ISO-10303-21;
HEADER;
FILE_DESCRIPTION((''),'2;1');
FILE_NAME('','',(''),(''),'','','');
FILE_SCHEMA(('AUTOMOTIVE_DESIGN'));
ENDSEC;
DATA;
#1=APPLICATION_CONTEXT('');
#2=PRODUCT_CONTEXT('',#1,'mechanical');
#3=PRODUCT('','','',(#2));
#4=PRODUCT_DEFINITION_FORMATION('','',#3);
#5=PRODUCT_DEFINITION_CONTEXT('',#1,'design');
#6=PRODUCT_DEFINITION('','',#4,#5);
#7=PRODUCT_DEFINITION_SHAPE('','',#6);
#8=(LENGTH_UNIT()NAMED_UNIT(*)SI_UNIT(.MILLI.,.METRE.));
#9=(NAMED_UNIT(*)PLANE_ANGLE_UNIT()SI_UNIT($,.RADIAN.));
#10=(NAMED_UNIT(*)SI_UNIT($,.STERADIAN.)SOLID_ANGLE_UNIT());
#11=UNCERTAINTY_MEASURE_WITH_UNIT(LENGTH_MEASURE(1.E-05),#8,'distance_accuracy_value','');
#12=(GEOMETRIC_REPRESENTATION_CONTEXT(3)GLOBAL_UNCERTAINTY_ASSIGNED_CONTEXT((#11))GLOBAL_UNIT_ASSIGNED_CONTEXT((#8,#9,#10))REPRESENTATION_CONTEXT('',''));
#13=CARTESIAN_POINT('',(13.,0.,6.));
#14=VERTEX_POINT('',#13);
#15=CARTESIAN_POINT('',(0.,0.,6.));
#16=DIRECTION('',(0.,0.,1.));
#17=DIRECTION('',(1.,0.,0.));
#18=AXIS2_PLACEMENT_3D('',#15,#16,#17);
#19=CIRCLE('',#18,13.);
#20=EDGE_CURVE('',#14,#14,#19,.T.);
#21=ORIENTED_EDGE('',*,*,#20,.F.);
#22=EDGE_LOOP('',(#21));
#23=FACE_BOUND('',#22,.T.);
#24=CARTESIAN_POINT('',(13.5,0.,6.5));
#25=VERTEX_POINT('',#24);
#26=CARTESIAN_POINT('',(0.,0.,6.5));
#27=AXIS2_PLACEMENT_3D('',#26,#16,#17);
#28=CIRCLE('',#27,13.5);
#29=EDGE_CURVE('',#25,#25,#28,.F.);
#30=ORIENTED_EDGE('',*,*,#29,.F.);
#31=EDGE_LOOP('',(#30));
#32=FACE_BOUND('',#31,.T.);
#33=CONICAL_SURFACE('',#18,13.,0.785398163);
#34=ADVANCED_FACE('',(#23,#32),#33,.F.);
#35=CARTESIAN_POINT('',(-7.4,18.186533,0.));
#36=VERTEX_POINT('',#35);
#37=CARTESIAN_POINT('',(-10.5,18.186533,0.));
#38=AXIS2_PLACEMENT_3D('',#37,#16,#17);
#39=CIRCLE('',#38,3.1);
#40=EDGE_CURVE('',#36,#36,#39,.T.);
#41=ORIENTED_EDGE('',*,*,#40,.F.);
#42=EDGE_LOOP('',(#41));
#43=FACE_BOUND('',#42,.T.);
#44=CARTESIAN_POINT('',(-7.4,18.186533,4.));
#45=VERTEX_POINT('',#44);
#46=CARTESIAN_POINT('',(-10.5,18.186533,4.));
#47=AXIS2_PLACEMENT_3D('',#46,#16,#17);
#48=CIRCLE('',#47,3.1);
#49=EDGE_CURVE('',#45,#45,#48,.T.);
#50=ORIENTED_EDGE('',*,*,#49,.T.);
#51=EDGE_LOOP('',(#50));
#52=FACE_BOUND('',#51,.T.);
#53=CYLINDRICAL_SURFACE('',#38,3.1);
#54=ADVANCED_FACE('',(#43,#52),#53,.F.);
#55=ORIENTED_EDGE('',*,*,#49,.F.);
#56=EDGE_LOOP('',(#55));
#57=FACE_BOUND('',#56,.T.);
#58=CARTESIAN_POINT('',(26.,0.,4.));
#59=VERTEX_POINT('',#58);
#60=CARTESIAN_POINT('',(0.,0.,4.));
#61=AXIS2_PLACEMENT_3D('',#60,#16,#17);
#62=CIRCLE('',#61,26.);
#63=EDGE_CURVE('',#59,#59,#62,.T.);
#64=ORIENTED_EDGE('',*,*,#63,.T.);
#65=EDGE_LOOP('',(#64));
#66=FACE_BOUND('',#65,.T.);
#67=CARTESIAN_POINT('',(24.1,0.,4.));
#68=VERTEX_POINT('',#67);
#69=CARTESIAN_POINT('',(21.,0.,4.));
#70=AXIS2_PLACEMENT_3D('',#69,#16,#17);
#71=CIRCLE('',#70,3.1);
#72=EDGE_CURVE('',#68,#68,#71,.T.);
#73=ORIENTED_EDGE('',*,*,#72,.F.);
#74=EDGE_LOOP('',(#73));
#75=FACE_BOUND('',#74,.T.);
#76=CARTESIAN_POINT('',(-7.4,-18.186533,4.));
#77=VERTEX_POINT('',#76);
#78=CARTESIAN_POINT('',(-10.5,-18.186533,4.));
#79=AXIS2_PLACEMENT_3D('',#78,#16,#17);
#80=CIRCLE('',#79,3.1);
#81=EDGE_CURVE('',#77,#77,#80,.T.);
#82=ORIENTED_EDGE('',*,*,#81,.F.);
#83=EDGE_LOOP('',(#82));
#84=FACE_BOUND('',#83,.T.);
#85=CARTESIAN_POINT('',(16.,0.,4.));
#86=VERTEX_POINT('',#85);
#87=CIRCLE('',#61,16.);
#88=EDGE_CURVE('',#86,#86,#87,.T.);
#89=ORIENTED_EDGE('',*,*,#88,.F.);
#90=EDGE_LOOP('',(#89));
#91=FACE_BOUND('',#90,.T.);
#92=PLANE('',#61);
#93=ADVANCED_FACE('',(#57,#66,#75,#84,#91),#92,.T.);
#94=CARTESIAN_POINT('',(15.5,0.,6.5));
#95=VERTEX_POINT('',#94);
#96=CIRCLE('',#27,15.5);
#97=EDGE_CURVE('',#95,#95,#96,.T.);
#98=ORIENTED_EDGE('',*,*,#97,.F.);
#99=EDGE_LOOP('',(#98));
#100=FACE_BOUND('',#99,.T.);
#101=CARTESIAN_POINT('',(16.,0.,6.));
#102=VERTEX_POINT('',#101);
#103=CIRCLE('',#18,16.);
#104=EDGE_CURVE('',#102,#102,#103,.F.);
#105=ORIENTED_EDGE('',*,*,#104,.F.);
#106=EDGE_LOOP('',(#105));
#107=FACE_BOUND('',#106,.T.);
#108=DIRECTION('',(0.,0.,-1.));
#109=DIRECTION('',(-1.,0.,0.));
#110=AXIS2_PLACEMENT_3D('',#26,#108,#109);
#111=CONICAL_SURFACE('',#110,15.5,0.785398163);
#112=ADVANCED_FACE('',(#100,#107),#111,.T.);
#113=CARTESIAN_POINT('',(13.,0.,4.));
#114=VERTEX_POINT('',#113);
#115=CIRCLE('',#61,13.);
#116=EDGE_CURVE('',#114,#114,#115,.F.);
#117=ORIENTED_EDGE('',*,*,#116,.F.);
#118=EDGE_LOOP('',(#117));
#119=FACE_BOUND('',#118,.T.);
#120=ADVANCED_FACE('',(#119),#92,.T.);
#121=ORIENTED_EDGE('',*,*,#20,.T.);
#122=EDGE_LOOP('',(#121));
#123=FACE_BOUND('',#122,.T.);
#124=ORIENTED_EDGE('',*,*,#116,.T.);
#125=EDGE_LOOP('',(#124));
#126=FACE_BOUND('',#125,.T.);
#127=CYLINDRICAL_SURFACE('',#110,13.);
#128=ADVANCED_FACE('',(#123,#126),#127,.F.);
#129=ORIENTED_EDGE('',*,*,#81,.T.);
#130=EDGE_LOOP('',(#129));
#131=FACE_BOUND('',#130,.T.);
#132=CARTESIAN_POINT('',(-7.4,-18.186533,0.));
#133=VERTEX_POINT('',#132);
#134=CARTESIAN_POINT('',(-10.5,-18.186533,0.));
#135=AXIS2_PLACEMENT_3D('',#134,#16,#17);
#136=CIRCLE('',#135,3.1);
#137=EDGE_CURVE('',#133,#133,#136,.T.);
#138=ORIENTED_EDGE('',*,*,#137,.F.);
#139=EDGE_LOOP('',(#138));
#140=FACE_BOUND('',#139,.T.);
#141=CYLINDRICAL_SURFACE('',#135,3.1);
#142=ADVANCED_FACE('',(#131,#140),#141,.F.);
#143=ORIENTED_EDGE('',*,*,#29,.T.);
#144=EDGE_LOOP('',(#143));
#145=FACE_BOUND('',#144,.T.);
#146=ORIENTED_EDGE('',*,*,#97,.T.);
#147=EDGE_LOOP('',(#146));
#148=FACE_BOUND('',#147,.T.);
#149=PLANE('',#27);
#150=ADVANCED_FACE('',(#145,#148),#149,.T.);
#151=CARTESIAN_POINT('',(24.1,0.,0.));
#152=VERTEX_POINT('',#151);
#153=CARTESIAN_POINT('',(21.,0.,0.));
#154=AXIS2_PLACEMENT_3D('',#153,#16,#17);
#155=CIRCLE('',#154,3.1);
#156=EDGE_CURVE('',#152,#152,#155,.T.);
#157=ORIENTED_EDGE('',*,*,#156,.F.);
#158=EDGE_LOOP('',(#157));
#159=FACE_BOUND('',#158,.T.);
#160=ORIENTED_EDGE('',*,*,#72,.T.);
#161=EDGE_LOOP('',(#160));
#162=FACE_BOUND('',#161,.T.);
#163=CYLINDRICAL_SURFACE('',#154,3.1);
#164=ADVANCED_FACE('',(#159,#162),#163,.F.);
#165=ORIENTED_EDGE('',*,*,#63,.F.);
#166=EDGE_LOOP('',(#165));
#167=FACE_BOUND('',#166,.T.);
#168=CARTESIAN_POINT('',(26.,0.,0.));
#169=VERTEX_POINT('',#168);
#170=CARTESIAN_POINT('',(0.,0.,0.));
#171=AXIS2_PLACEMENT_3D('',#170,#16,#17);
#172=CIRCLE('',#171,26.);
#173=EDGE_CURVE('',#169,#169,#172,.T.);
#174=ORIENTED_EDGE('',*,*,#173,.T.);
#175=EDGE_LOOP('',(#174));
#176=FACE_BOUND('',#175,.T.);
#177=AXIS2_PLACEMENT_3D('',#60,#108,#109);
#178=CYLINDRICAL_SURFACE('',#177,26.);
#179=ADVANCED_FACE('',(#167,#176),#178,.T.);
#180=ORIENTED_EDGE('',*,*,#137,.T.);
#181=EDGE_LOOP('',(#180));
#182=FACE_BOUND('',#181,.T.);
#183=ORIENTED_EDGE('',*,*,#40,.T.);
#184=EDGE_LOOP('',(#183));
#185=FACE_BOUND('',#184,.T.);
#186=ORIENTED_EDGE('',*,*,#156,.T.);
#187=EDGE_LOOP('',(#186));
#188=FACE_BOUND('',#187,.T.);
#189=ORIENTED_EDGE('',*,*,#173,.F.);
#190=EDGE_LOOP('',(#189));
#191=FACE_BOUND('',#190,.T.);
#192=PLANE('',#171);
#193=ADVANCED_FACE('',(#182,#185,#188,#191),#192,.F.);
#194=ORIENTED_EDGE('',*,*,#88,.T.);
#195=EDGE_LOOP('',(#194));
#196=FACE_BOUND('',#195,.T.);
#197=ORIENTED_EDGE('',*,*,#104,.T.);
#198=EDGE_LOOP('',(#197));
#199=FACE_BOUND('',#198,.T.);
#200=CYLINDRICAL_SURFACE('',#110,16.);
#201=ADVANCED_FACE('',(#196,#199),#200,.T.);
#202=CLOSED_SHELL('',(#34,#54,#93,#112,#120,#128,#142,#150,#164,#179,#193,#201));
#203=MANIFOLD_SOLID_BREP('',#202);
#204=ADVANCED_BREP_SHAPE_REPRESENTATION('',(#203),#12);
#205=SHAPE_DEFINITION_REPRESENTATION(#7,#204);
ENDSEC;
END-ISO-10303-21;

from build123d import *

# Parameters (mm, degrees)
SKETCH1_R           = 26
BOSS_EXTRUDE1_DEPTH = 4
SKETCH2_R           = 3.1
CUT_EXTRUDE1_DEPTH  = 4
SKETCH4_R           = 16
SKETCH4_R_2         = 13
BOSS_EXTRUDE2_DEPTH = 2.5
CHAMFER1_SIZE       = 0.5
CHAMFER2_SIZE       = 0.5


with BuildPart() as part:
    # Sketch1 → Boss-Extrude1 (new body)
    with BuildSketch(Plane.XY):
        Circle(SKETCH1_R)
    extrude(amount=BOSS_EXTRUDE1_DEPTH)

    # Sketch2 → Cut-Extrude1 (cut)
    with BuildSketch(Plane.XY.offset(4)):
        with Locations((21, 0)):
            Circle(SKETCH2_R)
        with Locations((-10.5, -18.186533479)):
            Circle(SKETCH2_R)
        with Locations((-10.5, 18.186533479)):
            Circle(SKETCH2_R)
    extrude(amount=-CUT_EXTRUDE1_DEPTH, mode=Mode.SUBTRACT)

    # Sketch4 → Boss-Extrude2 (add)
    with BuildSketch(Plane.XY.offset(4)):
        Circle(SKETCH4_R)
        Circle(SKETCH4_R_2, mode=Mode.SUBTRACT)
    extrude(amount=BOSS_EXTRUDE2_DEPTH)

    # Chamfer1
    chamfer1_edges = [part.edges().sort_by_distance(p)[0] for p in [
        (-16, 0, 6.5),
    ]]
    chamfer(chamfer1_edges, length=CHAMFER1_SIZE)

    # Chamfer2
    chamfer2_edges = [part.edges().sort_by_distance(p)[0] for p in [
        (-13, 0, 6.5),
    ]]
    chamfer(chamfer2_edges, length=CHAMFER2_SIZE)


solid = part.part
